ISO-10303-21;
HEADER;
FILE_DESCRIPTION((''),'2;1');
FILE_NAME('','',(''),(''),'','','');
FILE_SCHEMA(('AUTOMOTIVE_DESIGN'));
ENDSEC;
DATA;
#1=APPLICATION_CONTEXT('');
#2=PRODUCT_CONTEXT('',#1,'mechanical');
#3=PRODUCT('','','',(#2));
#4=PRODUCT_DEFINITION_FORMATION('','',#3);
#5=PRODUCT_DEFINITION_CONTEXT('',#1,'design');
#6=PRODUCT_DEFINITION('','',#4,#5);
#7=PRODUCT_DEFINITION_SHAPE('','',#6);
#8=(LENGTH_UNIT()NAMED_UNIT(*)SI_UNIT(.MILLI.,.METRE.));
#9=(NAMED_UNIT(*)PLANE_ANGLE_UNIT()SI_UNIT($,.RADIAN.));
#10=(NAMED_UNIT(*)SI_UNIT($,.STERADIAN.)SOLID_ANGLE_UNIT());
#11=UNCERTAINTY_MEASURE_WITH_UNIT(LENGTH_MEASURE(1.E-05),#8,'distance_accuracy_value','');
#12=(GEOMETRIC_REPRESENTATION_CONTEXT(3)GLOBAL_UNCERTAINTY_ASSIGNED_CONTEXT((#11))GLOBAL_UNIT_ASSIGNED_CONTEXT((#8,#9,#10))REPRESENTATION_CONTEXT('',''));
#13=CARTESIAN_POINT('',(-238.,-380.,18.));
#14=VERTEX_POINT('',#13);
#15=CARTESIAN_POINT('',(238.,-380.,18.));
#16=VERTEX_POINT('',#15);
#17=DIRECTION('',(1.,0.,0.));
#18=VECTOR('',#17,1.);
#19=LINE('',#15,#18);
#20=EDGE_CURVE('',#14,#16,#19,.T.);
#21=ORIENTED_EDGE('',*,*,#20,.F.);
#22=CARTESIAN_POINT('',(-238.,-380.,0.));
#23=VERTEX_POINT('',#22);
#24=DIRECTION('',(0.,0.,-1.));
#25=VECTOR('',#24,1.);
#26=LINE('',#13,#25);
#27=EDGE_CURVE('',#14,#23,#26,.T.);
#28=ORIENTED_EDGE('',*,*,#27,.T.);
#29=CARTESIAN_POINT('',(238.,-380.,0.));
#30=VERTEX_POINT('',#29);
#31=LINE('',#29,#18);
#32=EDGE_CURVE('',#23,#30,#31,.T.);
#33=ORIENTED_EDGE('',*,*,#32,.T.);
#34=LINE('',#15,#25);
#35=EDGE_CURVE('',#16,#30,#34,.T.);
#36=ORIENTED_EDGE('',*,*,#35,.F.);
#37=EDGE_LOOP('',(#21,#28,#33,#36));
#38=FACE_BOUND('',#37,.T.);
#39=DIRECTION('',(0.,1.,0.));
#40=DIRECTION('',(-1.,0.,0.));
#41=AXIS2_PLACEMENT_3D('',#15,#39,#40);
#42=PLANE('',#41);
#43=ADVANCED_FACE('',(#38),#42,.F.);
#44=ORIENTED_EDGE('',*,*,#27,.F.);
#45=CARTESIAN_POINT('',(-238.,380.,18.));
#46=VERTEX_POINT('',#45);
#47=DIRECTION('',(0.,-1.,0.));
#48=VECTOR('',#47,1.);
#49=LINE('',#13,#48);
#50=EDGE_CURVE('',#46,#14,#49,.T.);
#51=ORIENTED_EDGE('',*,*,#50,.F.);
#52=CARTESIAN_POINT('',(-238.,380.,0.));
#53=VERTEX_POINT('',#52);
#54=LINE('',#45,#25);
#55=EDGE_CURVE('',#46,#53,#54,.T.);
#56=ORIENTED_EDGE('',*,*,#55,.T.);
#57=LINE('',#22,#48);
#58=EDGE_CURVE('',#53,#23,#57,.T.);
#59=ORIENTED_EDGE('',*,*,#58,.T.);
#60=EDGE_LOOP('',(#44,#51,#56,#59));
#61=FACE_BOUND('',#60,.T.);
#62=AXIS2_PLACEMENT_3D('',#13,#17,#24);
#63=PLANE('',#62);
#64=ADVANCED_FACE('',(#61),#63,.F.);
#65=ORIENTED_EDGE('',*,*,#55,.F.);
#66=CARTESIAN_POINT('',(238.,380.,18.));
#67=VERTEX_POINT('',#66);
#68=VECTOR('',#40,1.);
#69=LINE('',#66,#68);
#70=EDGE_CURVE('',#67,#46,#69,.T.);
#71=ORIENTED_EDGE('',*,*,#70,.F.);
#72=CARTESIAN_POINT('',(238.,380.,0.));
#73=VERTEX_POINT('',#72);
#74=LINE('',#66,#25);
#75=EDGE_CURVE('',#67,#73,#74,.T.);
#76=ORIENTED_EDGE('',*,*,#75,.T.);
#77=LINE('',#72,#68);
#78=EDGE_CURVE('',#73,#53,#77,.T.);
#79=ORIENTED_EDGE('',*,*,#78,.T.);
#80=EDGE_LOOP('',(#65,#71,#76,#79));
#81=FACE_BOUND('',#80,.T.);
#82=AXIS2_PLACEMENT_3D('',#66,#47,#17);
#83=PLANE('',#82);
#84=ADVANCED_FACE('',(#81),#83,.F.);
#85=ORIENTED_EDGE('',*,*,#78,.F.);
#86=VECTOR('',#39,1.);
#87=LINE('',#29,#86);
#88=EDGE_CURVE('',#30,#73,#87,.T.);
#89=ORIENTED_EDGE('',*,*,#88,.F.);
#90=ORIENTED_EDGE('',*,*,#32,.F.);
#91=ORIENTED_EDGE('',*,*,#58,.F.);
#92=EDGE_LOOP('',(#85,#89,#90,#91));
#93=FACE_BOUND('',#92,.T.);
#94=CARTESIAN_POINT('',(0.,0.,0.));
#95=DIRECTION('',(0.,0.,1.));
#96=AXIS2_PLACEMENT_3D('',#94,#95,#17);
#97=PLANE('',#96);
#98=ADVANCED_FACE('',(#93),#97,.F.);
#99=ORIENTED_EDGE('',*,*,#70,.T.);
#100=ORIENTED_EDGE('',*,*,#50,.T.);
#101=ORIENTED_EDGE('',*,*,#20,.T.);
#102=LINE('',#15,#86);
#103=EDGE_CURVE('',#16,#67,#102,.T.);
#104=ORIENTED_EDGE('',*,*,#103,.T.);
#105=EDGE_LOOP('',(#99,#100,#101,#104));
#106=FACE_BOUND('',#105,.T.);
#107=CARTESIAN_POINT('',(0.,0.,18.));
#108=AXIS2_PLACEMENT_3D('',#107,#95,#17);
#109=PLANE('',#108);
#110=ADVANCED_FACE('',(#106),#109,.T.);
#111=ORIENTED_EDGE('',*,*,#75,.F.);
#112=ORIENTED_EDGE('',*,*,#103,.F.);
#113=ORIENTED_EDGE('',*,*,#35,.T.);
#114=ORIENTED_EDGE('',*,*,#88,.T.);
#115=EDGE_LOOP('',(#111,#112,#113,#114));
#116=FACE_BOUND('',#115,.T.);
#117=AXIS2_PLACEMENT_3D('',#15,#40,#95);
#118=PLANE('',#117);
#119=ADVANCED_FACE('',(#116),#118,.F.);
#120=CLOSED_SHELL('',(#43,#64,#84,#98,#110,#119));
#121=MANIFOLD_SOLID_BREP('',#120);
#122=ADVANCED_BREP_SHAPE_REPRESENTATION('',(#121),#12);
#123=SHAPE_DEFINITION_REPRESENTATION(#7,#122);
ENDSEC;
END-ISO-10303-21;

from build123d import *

# Parameters (mm, degrees)
SKETCH1_W           = 476
SKETCH1_H           = 760
BOSS_EXTRUDE1_DEPTH = 18


with BuildPart() as part:
    # Sketch1 → Boss-Extrude1 (new body)
    with BuildSketch(Plane.XY):
        Rectangle(SKETCH1_W, SKETCH1_H)
    extrude(amount=BOSS_EXTRUDE1_DEPTH)


solid = part.part
